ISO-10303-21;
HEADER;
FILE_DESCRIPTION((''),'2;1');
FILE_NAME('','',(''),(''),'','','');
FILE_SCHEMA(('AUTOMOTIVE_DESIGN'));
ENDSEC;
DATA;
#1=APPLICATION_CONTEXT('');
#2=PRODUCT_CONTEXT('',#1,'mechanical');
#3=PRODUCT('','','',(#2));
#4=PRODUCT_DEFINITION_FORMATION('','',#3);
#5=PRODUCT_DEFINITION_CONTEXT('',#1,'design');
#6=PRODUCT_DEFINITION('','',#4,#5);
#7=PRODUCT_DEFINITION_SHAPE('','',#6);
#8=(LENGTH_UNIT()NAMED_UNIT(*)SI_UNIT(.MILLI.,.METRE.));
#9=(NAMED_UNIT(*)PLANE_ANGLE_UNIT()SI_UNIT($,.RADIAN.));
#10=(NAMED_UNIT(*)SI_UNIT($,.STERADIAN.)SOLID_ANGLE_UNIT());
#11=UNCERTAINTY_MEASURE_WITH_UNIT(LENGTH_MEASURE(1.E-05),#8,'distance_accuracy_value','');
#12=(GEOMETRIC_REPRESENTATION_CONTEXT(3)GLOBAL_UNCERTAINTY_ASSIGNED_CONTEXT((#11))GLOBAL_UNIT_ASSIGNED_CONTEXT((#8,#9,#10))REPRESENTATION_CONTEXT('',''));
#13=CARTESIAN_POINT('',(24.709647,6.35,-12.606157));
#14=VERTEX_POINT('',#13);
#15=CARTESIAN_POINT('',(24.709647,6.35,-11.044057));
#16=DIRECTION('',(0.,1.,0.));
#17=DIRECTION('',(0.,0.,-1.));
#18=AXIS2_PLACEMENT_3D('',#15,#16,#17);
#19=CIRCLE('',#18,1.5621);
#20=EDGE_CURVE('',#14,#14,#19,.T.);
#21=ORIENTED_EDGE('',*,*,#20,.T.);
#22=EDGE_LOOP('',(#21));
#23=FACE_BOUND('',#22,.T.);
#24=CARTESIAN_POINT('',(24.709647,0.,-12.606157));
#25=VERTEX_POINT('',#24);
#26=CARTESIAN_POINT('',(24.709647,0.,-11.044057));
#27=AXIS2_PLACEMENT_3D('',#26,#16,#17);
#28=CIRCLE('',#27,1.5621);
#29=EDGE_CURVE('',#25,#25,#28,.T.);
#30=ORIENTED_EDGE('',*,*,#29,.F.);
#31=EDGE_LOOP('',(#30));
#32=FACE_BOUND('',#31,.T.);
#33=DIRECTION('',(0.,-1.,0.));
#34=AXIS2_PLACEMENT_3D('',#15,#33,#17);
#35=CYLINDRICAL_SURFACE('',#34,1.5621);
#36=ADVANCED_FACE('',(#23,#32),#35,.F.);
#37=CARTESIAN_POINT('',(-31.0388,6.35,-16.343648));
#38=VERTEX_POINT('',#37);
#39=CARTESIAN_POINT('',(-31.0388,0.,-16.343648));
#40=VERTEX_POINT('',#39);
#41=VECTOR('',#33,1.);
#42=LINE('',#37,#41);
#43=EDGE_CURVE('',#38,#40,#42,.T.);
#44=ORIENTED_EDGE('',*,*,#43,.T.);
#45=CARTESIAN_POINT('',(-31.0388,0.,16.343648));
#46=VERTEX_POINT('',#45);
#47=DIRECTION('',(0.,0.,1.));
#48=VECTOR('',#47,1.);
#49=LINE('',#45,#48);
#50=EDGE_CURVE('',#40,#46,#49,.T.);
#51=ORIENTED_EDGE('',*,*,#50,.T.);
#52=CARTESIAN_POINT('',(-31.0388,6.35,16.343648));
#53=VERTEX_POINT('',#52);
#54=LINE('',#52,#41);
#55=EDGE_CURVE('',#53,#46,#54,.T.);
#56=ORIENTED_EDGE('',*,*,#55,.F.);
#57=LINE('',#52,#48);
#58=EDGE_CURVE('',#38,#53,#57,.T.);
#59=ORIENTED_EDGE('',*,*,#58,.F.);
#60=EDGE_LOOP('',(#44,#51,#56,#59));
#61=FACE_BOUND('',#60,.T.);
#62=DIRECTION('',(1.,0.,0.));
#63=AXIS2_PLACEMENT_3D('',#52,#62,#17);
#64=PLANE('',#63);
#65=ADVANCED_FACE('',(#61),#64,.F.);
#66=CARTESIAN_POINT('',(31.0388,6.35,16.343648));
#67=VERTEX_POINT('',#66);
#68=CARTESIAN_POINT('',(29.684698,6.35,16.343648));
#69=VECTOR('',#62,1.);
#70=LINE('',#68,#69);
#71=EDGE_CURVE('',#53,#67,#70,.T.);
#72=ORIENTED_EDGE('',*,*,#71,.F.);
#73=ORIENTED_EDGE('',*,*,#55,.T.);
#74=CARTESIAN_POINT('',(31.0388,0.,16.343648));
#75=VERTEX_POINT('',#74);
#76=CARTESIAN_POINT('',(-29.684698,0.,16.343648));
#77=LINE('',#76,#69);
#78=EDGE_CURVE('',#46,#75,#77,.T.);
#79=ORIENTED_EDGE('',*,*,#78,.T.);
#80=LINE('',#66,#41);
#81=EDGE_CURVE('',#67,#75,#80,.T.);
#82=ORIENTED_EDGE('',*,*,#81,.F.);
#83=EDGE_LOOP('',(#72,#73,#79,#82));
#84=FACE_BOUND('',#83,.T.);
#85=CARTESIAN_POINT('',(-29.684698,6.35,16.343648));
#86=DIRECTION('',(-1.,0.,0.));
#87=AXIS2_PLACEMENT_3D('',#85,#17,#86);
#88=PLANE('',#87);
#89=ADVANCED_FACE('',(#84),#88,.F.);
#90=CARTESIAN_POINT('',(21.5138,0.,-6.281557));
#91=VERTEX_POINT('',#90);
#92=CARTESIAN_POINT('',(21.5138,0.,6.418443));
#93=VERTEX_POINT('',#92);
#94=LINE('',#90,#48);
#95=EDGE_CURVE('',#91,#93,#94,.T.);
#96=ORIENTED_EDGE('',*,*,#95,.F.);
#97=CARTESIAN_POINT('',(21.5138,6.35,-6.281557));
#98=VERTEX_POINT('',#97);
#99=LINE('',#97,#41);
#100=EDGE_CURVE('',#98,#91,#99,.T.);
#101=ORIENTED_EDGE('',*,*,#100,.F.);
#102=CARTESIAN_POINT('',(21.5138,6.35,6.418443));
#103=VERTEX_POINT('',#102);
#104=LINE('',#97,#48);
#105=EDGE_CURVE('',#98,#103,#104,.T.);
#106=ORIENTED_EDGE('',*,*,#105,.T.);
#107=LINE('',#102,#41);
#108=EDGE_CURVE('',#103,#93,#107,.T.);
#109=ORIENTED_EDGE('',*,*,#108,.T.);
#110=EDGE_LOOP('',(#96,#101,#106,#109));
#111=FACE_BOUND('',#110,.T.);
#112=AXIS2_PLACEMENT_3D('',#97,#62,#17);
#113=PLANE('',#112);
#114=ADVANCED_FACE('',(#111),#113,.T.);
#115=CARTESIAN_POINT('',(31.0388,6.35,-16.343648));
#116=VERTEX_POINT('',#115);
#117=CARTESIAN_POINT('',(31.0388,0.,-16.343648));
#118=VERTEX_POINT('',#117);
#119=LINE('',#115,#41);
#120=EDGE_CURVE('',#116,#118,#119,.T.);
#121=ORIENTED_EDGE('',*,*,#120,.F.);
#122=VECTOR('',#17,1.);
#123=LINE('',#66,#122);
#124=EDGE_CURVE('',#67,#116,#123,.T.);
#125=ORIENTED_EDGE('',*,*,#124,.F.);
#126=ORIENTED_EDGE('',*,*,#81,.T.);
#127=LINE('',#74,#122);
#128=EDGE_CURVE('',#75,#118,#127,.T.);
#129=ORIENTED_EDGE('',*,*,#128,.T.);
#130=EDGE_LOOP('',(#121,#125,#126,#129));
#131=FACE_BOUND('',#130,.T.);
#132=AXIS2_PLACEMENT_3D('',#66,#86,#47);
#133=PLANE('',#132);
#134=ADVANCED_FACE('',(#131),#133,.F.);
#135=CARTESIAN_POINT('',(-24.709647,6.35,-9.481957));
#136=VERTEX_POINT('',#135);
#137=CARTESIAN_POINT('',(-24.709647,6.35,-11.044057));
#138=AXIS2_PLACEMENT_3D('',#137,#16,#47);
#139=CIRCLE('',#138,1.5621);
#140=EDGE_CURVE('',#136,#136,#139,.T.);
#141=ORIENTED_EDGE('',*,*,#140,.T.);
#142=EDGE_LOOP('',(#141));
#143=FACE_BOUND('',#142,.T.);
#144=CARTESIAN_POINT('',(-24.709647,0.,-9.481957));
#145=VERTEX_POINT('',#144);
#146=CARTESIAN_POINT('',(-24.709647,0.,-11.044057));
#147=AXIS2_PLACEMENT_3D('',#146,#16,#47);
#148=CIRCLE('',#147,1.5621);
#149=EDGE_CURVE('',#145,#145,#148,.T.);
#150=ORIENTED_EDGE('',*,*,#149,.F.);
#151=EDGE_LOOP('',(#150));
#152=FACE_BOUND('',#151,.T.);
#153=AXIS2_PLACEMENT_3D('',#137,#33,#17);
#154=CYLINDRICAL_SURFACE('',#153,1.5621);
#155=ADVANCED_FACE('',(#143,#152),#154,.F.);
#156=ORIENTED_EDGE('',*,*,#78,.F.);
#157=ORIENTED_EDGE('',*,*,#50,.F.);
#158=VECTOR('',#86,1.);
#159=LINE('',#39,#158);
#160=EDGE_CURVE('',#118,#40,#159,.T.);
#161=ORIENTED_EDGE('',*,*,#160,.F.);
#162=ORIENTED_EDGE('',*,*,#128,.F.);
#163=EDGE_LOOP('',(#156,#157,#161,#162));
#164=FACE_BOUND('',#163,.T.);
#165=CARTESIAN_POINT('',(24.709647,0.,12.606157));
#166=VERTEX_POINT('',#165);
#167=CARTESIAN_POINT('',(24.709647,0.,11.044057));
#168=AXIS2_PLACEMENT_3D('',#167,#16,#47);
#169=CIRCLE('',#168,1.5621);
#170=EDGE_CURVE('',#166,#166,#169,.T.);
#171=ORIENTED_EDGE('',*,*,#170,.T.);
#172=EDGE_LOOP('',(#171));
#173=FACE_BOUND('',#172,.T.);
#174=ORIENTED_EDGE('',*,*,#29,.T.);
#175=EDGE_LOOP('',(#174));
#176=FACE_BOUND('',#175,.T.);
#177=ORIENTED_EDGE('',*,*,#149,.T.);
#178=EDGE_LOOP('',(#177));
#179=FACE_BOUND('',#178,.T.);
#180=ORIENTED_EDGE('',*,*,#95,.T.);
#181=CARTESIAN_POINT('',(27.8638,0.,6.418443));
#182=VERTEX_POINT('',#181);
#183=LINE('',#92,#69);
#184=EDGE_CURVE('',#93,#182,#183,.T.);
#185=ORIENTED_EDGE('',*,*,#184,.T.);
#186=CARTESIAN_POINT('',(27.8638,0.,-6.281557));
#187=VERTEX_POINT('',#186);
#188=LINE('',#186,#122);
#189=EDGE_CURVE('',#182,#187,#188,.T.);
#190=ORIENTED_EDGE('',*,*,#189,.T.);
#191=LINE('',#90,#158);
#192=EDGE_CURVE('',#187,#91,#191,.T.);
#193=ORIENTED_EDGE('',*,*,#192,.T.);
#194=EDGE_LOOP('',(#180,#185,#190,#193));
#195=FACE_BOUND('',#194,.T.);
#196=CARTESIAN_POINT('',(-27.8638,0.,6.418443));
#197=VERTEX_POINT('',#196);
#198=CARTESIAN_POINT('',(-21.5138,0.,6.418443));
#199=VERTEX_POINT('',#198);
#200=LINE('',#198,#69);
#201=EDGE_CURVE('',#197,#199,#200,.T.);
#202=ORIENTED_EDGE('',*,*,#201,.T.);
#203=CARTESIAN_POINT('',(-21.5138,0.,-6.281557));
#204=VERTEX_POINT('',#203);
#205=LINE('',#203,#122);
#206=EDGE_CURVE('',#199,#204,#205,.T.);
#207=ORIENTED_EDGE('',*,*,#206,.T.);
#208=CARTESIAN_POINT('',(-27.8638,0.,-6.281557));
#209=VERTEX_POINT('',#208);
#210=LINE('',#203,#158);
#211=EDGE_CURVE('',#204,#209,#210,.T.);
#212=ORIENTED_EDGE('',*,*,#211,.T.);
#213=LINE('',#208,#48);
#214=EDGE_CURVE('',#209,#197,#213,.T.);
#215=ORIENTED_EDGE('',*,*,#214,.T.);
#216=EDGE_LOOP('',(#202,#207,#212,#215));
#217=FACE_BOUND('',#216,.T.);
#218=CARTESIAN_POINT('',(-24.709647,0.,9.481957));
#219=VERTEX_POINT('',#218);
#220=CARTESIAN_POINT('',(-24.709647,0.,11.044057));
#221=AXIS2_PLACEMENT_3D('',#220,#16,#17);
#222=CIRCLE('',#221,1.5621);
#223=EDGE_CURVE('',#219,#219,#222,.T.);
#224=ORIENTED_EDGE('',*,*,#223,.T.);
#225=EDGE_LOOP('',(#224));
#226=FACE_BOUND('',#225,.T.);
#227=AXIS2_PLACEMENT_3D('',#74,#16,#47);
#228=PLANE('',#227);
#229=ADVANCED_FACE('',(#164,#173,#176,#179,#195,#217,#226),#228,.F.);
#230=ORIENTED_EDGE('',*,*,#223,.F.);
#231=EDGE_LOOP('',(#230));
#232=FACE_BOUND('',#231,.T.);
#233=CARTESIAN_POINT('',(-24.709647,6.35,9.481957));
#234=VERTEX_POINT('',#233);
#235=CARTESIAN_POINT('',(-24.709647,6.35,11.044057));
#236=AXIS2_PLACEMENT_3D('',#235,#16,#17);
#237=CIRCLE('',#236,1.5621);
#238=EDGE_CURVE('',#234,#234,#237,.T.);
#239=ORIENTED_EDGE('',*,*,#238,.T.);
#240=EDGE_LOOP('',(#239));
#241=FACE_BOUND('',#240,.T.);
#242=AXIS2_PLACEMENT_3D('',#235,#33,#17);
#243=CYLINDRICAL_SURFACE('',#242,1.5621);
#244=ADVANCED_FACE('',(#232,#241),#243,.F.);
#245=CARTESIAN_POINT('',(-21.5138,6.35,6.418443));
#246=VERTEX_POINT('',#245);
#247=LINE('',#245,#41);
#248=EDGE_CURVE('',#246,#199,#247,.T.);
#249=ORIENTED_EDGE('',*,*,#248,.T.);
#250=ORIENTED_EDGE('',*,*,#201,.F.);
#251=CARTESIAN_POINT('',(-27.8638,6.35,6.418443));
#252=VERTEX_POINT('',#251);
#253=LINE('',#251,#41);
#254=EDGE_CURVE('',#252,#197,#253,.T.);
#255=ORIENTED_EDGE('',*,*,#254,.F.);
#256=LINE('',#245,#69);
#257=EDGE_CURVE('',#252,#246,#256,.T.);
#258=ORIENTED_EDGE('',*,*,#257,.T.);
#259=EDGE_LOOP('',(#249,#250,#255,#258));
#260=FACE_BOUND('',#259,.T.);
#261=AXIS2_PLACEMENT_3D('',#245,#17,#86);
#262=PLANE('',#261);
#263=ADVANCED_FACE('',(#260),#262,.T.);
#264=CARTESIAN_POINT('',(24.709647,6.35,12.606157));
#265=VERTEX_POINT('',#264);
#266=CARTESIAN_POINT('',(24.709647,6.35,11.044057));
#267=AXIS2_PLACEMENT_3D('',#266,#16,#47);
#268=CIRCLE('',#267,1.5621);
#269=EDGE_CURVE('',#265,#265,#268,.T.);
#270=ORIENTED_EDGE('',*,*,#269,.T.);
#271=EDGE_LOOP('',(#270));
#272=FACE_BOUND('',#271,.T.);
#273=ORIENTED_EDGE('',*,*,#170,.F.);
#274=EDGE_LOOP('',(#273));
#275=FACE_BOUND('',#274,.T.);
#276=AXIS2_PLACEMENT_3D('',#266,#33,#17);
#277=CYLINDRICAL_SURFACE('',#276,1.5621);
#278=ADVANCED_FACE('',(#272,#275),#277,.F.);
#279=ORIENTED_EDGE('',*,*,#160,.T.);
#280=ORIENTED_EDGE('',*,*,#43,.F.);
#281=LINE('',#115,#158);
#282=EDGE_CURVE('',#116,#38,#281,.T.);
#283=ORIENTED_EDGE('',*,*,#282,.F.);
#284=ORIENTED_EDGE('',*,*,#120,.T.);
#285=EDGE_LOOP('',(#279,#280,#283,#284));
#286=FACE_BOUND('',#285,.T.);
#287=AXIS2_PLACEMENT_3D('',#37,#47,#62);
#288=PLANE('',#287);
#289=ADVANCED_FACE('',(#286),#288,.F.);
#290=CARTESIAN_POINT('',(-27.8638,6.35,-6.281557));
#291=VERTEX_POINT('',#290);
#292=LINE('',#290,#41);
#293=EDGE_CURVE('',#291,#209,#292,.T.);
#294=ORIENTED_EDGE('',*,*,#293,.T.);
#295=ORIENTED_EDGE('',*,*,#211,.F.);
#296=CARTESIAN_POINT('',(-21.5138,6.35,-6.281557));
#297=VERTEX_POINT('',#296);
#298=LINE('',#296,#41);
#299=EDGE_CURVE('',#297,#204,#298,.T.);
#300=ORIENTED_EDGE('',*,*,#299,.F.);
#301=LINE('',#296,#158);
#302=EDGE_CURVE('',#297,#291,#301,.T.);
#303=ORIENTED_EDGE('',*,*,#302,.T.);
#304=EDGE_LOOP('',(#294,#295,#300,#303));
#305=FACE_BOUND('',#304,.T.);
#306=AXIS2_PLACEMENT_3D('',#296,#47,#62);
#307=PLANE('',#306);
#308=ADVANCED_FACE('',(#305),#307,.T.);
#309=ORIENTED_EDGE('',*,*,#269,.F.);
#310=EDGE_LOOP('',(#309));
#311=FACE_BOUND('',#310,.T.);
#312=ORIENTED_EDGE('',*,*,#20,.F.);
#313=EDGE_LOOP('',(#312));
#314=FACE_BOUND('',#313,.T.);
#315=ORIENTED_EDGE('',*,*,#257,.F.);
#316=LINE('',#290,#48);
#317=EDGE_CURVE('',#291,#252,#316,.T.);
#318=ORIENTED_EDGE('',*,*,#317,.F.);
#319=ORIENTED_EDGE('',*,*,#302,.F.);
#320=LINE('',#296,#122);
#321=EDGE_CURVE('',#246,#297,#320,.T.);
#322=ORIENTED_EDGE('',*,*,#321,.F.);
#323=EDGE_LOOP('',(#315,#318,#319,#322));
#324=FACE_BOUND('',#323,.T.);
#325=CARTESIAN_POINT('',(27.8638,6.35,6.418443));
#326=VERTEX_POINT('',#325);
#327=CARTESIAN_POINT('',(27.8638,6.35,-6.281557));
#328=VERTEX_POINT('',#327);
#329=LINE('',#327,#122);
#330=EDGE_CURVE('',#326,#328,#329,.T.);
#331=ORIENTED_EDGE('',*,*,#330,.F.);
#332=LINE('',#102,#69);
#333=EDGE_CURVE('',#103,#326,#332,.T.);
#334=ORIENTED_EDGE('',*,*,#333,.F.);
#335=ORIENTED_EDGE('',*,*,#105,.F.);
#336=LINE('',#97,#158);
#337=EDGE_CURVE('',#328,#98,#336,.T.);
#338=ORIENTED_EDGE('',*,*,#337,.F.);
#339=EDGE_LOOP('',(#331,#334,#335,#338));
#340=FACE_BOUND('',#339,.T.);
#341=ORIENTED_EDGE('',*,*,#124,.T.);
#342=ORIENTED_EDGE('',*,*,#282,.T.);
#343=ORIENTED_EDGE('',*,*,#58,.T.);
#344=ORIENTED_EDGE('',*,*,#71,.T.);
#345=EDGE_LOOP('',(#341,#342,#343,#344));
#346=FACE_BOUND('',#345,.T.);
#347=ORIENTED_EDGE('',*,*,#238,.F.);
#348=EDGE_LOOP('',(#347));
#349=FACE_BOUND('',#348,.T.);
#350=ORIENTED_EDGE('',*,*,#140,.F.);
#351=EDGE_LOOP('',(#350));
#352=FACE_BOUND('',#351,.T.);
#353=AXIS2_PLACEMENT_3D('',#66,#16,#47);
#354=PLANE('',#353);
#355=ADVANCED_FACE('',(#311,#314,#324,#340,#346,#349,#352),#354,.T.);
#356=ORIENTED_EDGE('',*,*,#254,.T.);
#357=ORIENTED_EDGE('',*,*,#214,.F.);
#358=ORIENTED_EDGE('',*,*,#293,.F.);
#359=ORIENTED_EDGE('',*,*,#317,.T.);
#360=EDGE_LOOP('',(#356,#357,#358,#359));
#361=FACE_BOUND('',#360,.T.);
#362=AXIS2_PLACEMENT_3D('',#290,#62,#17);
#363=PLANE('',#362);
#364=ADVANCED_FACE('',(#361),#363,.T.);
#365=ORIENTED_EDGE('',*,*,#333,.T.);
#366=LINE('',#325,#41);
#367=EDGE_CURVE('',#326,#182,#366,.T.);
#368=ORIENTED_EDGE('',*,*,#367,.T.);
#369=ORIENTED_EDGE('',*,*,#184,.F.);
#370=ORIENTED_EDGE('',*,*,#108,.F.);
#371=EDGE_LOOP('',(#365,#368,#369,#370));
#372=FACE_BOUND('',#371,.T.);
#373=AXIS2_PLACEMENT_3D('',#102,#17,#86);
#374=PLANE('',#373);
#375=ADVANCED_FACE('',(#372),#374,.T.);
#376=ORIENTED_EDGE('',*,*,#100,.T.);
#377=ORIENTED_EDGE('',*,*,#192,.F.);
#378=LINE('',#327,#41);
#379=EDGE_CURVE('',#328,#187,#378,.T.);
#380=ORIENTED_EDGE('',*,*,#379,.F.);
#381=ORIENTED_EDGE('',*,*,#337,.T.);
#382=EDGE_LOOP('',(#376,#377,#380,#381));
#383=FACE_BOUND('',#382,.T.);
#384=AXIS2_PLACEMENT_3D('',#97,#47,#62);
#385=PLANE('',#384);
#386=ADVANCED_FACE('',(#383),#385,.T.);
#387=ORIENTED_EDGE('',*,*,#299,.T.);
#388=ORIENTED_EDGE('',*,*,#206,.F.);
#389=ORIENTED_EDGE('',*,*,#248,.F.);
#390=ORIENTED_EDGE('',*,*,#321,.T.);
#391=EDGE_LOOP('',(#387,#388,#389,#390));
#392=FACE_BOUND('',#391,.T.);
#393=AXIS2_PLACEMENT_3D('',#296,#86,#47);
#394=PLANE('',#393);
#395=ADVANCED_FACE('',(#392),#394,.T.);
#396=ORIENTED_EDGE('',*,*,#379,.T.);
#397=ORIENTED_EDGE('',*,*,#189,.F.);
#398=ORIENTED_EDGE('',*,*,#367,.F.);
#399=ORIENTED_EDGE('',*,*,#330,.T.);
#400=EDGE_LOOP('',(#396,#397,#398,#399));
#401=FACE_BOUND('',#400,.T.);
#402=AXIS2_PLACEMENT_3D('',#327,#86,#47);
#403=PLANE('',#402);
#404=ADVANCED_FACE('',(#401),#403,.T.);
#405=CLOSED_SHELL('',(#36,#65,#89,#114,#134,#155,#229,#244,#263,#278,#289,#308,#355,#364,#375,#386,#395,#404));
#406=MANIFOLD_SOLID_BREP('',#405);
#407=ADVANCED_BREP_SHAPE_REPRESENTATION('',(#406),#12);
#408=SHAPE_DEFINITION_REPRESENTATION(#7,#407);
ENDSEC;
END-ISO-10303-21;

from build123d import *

# Parameters (mm, degrees)
SKETCH1_R           = 1.5621
SKETCH1_W           = 6.35
SKETCH1_H           = 12.7
BOSS_EXTRUDE1_DEPTH = 6.35


with BuildPart() as part:
    # Sketch1 → Boss-Extrude1 (new body)
    with BuildSketch(Plane(origin=(0, 0, 0), x_dir=(1, 0, 0), z_dir=(0, 1, 0))):
        Polygon((-29.684698321, 16.343647987), (29.684698321, 16.343647987), (31.0388, 16.343647987), (31.0388, -16.343647987), (29.684698321, -16.343647987), (-29.684698321, -16.343647987), (-31.0388, -16.343647987), (-31.0388, 16.343647987), align=None)
        with Locations((-24.709647151, 11.044056729)):
            Circle(SKETCH1_R, mode=Mode.SUBTRACT)
        with Locations((-24.709647151, -11.044056729)):
            Circle(SKETCH1_R, mode=Mode.SUBTRACT)
        with Locations((24.709647151, 11.044056729)):
            Circle(SKETCH1_R, mode=Mode.SUBTRACT)
        with Locations((24.709647151, -11.044056729)):
            Circle(SKETCH1_R, mode=Mode.SUBTRACT)
        with Locations((24.6888, -0.068443271)):
            Rectangle(SKETCH1_W, SKETCH1_H, mode=Mode.SUBTRACT)
        with Locations((-24.6888, -0.068443271)):
            Rectangle(SKETCH1_W, SKETCH1_H, mode=Mode.SUBTRACT)
    extrude(amount=BOSS_EXTRUDE1_DEPTH)


solid = part.part
